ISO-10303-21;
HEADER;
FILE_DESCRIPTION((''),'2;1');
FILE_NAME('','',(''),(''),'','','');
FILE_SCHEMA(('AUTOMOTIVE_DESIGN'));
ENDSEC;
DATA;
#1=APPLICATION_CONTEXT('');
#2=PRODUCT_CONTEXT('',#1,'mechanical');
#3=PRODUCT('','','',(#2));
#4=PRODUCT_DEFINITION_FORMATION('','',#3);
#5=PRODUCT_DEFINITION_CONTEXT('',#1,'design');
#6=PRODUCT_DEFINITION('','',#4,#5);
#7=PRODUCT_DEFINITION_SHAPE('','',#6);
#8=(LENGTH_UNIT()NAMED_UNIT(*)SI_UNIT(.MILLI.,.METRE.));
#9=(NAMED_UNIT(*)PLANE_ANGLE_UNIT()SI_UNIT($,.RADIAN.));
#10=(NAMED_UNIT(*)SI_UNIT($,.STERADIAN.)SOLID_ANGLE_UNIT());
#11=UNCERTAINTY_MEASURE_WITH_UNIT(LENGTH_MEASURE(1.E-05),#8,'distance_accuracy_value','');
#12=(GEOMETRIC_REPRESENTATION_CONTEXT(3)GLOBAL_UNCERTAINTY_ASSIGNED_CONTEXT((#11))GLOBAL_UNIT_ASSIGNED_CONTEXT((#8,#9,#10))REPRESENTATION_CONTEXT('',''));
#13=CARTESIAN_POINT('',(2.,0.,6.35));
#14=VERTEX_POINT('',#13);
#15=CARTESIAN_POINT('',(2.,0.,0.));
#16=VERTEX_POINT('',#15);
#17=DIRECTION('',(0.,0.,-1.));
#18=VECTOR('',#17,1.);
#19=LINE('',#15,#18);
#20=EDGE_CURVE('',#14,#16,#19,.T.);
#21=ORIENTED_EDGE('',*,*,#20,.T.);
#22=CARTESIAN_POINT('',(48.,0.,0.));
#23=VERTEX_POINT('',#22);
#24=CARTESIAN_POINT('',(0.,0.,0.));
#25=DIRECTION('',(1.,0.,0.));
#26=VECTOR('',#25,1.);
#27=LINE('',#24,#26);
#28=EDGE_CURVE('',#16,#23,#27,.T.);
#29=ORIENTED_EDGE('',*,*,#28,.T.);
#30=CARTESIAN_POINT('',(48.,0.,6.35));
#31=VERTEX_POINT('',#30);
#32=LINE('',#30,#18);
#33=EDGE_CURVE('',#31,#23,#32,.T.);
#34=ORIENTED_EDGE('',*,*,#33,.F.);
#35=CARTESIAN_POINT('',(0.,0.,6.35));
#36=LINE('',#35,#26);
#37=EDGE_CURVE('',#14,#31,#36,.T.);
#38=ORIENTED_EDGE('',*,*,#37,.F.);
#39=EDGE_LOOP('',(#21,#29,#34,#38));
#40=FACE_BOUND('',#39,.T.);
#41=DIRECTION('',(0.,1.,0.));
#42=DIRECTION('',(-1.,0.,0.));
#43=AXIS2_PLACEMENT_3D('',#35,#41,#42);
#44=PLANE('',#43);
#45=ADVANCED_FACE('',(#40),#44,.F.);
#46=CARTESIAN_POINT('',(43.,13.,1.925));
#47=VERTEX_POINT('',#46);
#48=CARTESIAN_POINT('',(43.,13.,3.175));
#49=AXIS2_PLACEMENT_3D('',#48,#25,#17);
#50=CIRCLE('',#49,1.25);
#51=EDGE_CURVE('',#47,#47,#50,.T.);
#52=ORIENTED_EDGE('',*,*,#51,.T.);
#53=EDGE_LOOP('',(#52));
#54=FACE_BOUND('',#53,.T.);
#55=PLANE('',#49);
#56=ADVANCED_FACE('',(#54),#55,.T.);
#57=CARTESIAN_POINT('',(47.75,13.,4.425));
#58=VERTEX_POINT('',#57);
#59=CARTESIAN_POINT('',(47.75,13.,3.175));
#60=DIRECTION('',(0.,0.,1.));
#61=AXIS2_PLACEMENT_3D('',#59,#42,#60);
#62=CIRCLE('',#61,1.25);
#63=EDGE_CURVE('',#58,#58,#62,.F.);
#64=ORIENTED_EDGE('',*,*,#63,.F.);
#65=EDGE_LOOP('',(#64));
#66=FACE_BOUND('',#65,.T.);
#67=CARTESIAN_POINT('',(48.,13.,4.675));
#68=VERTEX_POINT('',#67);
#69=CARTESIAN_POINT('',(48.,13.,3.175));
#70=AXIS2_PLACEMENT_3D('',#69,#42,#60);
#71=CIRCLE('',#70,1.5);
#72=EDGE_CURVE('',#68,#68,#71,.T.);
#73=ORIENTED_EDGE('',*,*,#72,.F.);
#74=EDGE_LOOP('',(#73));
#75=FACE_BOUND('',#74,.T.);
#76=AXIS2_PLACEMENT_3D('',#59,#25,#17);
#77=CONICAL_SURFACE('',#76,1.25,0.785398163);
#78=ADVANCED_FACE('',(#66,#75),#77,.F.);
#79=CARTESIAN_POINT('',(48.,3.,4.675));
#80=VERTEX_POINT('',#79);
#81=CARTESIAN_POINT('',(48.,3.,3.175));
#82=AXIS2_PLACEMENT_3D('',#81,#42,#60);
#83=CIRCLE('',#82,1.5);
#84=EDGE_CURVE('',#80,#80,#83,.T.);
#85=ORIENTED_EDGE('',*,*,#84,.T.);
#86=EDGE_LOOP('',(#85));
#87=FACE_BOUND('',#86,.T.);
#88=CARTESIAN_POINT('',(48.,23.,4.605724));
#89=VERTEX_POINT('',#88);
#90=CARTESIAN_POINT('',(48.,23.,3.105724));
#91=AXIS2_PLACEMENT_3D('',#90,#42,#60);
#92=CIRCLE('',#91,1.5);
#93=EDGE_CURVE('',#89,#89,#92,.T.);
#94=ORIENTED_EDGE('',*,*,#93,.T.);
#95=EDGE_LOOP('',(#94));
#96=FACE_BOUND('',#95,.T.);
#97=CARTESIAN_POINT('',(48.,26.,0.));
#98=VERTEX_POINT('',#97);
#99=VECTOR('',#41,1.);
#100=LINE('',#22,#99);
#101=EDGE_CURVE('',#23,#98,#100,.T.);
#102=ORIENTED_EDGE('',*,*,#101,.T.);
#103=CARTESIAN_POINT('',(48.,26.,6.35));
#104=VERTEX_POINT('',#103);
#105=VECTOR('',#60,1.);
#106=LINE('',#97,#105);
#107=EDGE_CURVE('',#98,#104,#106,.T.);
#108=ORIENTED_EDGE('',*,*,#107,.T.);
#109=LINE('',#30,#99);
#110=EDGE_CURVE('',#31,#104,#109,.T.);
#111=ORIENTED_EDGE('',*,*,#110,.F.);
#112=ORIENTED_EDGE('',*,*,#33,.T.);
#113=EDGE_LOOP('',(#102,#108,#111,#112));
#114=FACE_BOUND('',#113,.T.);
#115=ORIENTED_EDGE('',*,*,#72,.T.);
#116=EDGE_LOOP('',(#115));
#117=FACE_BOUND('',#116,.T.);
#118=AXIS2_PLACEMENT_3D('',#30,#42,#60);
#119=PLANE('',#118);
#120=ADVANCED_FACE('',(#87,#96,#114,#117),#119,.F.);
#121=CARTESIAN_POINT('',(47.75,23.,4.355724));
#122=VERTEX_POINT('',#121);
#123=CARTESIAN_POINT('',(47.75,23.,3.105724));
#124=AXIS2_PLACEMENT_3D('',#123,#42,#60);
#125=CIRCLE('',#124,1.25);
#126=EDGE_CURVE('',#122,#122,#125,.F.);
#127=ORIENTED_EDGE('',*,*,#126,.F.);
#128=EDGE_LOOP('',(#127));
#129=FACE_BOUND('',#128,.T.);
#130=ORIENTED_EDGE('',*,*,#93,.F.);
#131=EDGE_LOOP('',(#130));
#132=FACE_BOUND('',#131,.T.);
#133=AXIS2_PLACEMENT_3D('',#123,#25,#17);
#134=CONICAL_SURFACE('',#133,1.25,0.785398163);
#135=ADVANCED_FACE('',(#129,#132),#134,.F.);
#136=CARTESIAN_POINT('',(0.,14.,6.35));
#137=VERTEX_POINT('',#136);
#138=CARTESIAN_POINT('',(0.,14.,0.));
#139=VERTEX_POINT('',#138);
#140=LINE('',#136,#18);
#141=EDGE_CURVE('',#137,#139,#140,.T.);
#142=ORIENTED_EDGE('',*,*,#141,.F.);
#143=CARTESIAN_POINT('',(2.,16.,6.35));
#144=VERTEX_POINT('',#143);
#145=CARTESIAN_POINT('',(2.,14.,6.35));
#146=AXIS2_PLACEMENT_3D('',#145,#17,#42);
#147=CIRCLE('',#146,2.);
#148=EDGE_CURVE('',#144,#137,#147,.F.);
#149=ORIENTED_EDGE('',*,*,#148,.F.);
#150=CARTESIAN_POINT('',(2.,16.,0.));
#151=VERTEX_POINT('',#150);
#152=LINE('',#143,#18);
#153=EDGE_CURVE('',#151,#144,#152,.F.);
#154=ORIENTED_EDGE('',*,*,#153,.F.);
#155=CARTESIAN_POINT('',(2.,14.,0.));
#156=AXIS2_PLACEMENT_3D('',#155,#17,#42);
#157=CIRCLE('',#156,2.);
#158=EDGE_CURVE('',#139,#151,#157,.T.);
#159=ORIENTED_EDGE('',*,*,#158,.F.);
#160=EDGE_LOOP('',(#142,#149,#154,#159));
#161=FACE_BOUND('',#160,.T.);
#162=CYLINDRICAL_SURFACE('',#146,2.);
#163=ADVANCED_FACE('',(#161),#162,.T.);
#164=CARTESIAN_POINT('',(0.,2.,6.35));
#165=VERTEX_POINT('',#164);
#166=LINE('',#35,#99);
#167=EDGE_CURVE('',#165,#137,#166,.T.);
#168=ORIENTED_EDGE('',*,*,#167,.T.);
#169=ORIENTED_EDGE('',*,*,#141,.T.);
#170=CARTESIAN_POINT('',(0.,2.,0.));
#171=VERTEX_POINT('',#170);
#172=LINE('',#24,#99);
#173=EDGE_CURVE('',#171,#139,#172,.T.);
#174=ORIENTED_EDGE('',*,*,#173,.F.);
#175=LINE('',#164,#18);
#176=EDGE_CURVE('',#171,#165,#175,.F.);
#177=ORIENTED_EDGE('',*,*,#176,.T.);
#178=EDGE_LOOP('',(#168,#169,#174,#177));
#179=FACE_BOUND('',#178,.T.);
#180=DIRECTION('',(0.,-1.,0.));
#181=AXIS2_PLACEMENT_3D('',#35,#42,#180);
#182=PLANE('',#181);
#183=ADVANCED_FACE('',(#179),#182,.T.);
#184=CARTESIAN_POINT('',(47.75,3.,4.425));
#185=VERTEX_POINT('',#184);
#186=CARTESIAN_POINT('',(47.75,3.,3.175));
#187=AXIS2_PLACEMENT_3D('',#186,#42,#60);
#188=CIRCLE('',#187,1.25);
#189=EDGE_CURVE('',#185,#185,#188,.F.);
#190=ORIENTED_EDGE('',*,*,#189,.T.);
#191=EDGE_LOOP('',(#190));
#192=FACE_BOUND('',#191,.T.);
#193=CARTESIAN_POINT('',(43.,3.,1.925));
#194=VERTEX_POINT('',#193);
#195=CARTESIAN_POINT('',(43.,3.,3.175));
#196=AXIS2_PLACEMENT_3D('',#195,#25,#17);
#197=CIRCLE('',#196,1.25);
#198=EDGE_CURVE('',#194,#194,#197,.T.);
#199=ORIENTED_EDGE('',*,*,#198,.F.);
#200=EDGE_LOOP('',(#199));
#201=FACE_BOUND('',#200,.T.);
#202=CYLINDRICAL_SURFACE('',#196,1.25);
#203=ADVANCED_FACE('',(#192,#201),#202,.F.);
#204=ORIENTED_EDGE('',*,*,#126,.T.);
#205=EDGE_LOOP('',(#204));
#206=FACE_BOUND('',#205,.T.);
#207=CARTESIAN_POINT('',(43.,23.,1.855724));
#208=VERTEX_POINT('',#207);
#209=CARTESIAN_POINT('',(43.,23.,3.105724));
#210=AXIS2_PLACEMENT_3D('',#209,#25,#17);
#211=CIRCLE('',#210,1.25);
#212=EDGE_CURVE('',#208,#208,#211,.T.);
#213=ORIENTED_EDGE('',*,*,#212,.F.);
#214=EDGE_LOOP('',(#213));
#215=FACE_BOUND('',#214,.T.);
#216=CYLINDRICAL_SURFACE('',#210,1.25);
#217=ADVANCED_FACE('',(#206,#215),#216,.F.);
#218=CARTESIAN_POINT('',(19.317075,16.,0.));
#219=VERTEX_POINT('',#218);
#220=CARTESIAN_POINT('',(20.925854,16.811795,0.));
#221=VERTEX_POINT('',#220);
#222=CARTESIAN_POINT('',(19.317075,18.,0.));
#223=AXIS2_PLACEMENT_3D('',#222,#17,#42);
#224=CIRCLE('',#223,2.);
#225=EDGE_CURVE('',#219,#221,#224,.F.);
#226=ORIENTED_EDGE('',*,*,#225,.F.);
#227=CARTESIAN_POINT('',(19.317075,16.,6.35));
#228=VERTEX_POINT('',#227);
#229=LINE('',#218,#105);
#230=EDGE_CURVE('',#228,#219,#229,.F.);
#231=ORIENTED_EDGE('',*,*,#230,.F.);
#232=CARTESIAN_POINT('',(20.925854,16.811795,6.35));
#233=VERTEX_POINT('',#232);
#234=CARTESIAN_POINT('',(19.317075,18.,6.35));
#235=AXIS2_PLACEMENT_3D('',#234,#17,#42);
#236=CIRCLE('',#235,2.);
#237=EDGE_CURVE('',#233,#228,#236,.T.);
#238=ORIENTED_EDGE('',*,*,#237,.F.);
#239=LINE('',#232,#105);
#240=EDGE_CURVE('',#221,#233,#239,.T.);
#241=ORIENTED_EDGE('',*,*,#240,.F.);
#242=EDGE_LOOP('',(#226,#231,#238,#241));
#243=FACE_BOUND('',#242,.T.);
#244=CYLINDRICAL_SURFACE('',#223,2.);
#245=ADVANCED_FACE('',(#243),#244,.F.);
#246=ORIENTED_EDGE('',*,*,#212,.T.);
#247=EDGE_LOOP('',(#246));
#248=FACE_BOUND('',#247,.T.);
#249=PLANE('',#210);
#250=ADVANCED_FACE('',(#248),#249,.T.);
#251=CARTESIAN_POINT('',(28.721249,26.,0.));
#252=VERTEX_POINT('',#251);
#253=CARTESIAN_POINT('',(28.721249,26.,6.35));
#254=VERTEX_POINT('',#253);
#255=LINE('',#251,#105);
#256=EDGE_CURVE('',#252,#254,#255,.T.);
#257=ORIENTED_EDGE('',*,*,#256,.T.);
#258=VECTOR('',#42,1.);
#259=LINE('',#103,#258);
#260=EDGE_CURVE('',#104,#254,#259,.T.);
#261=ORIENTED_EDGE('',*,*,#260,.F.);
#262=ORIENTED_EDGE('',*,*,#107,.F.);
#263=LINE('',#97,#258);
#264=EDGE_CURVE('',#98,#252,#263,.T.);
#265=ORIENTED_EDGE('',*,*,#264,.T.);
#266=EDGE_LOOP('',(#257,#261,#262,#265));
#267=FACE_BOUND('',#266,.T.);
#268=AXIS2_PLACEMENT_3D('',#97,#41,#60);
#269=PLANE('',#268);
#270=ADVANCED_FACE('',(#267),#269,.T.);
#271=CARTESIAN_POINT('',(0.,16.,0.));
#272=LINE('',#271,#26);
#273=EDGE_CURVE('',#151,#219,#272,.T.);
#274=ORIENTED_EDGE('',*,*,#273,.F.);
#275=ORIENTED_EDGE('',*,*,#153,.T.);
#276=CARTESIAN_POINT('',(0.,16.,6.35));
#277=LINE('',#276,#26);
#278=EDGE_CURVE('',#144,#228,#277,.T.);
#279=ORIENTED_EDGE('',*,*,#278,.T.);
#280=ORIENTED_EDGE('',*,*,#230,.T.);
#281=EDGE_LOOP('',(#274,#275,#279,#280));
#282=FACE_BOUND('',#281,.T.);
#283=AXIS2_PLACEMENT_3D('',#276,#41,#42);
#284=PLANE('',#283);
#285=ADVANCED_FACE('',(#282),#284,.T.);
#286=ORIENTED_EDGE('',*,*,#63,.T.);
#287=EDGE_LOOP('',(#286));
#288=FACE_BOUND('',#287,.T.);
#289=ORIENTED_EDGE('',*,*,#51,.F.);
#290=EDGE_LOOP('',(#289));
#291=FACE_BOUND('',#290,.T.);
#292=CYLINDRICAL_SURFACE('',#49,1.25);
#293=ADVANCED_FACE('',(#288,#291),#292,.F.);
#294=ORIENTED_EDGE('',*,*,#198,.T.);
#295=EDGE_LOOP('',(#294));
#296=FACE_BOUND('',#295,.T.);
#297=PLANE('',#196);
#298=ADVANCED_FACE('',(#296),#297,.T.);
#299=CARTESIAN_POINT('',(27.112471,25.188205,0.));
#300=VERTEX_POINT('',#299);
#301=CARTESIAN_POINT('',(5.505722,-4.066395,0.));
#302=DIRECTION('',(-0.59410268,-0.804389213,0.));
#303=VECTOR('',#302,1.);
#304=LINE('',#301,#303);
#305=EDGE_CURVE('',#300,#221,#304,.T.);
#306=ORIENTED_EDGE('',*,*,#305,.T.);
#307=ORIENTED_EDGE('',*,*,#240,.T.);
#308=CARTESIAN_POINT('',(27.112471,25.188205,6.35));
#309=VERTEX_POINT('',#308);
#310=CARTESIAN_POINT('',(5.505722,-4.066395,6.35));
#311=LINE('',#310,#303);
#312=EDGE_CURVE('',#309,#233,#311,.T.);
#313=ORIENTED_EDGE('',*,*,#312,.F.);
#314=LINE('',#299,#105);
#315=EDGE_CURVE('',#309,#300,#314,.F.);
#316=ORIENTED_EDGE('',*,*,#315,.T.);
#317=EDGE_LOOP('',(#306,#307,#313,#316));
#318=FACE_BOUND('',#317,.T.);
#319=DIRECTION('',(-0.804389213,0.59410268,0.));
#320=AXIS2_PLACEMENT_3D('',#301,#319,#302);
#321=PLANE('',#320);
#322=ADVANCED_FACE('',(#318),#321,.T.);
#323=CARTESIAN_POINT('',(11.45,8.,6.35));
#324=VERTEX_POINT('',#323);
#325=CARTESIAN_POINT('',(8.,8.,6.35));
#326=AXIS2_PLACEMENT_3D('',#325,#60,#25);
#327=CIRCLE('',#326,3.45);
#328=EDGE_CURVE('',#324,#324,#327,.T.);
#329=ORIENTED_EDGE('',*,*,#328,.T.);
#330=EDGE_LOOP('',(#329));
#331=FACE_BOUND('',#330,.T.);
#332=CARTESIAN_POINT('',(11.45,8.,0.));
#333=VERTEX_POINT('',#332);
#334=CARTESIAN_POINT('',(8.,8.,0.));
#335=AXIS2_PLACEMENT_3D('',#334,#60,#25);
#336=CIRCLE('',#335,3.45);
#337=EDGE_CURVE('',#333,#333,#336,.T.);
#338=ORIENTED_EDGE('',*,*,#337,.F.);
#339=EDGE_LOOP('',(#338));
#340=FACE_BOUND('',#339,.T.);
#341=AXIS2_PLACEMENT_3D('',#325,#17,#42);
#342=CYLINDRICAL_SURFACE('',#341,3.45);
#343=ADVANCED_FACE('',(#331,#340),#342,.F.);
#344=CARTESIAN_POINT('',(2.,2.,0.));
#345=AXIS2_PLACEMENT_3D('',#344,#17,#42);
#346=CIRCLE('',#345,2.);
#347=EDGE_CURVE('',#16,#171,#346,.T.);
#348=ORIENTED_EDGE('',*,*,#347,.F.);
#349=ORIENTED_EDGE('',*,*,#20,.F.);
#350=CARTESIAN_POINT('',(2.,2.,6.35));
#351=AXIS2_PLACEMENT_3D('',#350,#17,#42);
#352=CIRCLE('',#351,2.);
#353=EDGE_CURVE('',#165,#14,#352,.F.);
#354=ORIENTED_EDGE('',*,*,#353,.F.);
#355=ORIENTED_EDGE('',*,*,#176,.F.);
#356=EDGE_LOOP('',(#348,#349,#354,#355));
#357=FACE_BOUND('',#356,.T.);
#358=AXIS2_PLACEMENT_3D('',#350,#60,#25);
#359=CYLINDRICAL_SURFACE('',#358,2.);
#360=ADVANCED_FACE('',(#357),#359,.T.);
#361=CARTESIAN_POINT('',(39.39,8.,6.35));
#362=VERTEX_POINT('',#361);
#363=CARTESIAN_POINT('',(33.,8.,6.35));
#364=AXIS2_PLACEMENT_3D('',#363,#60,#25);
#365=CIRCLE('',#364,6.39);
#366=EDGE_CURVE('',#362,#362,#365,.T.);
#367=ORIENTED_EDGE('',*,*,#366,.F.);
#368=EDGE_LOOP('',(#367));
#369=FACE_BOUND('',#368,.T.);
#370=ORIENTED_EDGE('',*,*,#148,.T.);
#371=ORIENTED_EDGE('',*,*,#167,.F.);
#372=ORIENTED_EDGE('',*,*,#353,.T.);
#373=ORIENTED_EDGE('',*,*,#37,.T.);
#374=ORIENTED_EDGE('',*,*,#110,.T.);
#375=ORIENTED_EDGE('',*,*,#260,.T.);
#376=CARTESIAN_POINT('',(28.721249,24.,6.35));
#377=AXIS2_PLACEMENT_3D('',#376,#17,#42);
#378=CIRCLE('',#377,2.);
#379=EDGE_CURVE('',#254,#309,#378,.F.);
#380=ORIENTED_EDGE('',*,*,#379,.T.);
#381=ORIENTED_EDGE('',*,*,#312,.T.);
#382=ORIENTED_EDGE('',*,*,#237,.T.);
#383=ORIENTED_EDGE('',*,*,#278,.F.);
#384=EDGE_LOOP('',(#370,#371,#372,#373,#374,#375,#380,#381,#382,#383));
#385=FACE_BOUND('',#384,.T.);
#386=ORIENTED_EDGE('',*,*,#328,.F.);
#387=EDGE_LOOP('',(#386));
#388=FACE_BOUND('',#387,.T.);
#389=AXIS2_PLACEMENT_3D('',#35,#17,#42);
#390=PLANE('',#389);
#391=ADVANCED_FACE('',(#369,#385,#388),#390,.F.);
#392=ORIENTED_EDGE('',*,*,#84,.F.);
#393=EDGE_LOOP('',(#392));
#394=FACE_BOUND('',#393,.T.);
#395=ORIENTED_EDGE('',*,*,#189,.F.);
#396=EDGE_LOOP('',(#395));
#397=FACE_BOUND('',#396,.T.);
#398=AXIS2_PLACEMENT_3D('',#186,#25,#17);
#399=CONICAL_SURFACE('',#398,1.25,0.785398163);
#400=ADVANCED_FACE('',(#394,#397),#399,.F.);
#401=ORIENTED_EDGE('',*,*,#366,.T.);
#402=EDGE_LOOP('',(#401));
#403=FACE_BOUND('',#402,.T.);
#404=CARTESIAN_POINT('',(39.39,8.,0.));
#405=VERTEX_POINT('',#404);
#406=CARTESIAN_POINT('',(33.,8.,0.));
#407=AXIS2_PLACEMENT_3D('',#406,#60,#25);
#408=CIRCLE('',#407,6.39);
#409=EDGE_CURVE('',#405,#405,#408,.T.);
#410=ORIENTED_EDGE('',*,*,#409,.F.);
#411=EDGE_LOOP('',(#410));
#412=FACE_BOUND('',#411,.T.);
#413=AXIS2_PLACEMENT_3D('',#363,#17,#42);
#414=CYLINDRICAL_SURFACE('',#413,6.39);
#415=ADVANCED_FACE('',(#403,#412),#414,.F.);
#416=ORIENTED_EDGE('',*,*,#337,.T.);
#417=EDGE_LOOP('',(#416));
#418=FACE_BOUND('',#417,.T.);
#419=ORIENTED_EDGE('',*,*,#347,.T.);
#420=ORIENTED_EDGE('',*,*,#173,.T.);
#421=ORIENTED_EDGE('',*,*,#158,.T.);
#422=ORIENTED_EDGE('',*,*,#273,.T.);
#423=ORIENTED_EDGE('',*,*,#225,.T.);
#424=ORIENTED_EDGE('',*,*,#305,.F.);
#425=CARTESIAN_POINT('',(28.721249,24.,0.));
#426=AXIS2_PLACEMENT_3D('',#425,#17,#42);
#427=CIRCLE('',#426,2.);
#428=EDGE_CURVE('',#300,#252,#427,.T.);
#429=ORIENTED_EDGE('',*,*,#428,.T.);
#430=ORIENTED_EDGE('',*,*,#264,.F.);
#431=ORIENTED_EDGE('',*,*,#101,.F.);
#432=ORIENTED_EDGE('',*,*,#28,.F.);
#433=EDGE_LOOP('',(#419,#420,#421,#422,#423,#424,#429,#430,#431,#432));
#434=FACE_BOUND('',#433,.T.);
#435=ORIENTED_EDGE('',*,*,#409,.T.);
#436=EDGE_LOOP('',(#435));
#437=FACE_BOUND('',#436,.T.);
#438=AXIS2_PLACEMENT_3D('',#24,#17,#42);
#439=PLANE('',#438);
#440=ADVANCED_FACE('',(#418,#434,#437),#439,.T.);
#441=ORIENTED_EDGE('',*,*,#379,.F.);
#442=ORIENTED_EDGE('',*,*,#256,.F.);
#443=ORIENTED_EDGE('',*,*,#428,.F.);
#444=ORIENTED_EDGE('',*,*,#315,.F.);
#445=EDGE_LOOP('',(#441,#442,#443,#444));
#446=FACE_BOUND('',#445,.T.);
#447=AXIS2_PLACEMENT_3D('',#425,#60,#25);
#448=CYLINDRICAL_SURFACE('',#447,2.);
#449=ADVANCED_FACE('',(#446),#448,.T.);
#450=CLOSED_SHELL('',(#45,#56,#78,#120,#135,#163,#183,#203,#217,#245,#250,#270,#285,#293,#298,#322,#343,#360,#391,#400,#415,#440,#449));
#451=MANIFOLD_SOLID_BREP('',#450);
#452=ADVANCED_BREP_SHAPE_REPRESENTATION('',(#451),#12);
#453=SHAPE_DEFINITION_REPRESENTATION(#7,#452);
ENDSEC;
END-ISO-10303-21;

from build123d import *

# Parameters (mm, degrees)
SKETCH1_W           = 48
SKETCH1_H           = 16
BOSS_EXTRUDE1_DEPTH = 6.35
SKETCH1_6_R         = 6.39
SKETCH1_6_R_2       = 3.45
CUT_EXTRUDE1_DEPTH  = 6.35
FILLET1_R           = 2
SKETCH2_R           = 1.25
CUT_EXTRUDE2_DEPTH  = 5
BOSS_EXTRUDE2_DEPTH = 6.35
FILLET2_R           = 2
SKETCH4_R           = 1.25
CUT_EXTRUDE3_DEPTH  = 5
CHAMFER1_SIZE       = 0.25


with BuildPart() as part:
    # Sketch1 → Boss-Extrude1 (new body)
    with BuildSketch(Plane.XY):
        with Locations((24, 8)):
            Rectangle(SKETCH1_W, SKETCH1_H)
    extrude(amount=BOSS_EXTRUDE1_DEPTH)

    # Sketch1<6> → Cut-Extrude1 (cut)
    with BuildSketch(Plane.XY):
        with Locations((33, 8)):
            Circle(SKETCH1_6_R)
        with Locations((8, 8)):
            Circle(SKETCH1_6_R_2)
    extrude(amount=CUT_EXTRUDE1_DEPTH, mode=Mode.SUBTRACT)

    # Fillet1
    fillet1_edges = [part.edges().sort_by_distance(p)[0] for p in [
        (0, 16, 3.175),
        (0, 0, 3.175),
    ]]
    fillet(fillet1_edges, radius=FILLET1_R)

    # Sketch2 → Cut-Extrude2 (cut)
    with BuildSketch(Plane(origin=(48, 0, 0), x_dir=(0, 0, -1), z_dir=(1, 0, 0))):
        with Locations((-3.175, 13)):
            Circle(SKETCH2_R)
        with Locations((-3.175, 3)):
            Circle(SKETCH2_R)
    extrude(amount=-CUT_EXTRUDE2_DEPTH, mode=Mode.SUBTRACT)

    # Sketch3 → Boss-Extrude2 (add)
    with BuildSketch(Plane.XY.offset(6.35)):
        Polygon((20.326281713, 16), (48, 16), (48, 26), (27.712043107, 26), align=None)
    extrude(amount=-BOSS_EXTRUDE2_DEPTH)

    # Fillet2
    fillet2_edges = [part.edges().sort_by_distance(p)[0] for p in [
        (20.326281713, 16, 3.175),
        (27.712043107, 26, 3.175),
    ]]
    fillet(fillet2_edges, radius=FILLET2_R)

    # Sketch4 → Cut-Extrude3 (cut)
    with BuildSketch(Plane(origin=(48, 0, 0), x_dir=(0, 0, -1), z_dir=(1, 0, 0))):
        with Locations((-3.10572404, 23)):
            Circle(SKETCH4_R)
    extrude(amount=-CUT_EXTRUDE3_DEPTH, mode=Mode.SUBTRACT)

    # Chamfer1
    chamfer1_edges = [part.edges().sort_by_distance(p)[0] for p in [
        (48, 3, 4.425),
        (48, 13, 4.425),
        (48, 23, 4.35572404),
    ]]
    chamfer(chamfer1_edges, length=CHAMFER1_SIZE)


solid = part.part
